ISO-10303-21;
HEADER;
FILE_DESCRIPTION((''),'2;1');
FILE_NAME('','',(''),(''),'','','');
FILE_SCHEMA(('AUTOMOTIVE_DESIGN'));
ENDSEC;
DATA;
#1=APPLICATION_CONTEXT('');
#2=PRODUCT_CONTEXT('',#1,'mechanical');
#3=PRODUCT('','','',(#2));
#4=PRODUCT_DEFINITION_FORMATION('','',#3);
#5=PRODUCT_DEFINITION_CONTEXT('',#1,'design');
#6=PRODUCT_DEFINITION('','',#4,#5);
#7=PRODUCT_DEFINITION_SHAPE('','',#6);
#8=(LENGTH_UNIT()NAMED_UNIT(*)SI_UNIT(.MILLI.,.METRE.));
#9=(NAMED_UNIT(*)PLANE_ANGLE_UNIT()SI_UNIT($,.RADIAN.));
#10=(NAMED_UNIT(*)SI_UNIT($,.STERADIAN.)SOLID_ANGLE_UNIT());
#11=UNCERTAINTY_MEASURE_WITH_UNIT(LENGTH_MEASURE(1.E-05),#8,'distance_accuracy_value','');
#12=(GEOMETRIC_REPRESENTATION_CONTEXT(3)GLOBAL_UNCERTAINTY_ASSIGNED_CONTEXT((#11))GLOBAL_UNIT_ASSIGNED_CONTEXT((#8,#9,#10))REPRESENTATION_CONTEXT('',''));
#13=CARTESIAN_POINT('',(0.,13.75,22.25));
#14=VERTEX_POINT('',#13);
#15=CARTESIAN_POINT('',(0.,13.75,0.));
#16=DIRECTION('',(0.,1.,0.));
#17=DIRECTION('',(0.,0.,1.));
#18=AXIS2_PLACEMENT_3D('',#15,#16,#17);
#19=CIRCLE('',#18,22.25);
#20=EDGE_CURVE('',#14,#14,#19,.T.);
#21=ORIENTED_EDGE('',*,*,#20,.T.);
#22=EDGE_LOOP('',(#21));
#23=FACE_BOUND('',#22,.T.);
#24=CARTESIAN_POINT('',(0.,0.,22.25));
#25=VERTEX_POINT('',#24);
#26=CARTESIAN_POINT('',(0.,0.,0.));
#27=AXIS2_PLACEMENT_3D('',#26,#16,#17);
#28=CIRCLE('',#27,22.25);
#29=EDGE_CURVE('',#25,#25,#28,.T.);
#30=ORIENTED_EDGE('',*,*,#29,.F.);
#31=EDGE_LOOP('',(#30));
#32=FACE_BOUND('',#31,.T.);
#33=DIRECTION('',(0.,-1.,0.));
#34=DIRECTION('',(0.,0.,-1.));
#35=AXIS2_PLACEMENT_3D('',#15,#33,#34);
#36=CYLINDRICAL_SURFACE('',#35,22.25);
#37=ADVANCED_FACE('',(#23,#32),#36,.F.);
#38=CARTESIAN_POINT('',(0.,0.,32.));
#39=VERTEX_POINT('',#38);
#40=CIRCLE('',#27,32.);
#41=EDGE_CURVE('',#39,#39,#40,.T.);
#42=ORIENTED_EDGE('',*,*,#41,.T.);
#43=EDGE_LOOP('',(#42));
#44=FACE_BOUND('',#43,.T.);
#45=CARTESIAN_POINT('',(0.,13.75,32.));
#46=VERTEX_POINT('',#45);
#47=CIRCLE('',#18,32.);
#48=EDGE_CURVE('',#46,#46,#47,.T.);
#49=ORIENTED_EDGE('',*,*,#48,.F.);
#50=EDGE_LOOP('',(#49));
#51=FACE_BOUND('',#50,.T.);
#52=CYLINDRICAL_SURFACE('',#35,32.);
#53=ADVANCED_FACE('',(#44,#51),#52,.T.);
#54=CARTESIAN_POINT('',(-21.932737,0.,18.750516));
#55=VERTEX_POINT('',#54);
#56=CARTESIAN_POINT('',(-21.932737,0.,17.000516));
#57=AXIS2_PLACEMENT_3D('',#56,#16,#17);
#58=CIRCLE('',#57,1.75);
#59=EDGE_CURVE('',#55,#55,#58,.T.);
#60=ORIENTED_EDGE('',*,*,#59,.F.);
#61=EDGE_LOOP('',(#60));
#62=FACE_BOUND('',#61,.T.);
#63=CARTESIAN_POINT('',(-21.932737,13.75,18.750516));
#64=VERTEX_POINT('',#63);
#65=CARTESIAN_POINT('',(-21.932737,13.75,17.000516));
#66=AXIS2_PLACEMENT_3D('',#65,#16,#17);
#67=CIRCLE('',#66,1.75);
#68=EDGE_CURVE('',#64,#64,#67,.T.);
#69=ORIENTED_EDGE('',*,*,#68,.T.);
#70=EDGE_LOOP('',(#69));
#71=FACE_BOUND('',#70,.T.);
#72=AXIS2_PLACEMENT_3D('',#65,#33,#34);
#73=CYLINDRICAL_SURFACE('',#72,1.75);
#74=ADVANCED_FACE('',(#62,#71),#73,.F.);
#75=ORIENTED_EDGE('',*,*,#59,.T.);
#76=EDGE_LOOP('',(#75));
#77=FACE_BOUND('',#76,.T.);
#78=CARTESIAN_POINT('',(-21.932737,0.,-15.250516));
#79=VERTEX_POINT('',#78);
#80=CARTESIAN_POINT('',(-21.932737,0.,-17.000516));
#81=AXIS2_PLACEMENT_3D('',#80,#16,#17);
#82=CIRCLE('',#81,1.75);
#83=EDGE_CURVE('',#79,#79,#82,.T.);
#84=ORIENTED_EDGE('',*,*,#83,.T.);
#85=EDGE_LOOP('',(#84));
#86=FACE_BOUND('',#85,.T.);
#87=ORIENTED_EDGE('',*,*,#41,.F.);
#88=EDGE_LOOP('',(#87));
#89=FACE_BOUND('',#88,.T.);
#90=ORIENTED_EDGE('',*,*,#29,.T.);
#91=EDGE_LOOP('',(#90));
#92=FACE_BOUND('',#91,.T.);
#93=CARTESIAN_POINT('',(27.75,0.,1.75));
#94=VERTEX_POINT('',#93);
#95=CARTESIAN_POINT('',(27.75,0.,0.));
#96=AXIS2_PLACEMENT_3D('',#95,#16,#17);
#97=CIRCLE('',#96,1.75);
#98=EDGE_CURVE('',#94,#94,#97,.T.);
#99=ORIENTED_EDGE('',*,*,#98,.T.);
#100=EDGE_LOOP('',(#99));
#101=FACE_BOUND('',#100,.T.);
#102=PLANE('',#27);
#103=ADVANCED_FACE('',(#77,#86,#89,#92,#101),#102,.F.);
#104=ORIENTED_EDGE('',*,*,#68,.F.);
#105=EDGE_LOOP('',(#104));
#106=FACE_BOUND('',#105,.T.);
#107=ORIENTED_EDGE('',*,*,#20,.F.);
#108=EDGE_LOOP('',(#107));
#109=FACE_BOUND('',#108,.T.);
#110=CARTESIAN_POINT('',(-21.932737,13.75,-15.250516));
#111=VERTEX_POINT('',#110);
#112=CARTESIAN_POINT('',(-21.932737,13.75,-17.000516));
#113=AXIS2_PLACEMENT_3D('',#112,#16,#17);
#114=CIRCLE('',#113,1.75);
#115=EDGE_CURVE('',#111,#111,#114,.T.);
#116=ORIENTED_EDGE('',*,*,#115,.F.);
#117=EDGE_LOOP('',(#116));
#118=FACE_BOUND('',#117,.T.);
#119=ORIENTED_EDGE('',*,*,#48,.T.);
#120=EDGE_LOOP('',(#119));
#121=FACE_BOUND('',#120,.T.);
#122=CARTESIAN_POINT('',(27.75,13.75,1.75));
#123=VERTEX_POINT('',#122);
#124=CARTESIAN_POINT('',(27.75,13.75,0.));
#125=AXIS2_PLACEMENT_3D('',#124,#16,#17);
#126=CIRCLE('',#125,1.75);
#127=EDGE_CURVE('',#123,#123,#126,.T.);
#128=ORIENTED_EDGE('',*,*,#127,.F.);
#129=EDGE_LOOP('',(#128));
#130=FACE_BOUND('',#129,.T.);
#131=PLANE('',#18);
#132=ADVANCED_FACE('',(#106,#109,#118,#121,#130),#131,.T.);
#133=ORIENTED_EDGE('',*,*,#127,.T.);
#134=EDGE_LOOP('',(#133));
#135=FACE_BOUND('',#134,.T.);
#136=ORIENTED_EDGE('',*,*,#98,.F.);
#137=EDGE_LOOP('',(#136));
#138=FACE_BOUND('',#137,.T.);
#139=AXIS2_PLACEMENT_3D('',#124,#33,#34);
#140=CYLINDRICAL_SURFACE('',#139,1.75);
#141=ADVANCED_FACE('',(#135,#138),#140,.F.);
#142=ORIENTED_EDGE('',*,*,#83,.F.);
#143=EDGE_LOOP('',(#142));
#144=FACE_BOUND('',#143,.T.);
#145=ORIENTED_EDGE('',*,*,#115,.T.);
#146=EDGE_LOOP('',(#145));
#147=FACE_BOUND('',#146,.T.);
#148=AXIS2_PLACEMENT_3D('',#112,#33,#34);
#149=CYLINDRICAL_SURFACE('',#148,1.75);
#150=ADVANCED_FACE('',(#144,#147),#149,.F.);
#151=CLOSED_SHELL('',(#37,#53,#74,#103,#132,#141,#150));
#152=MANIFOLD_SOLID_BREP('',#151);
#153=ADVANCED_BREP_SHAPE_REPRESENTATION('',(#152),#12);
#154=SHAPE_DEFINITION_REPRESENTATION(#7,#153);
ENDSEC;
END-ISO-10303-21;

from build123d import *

# Parameters (mm, degrees)
SKETCH2_R           = 32
SKETCH2_R_2         = 22.25
SKETCH2_R_3         = 1.75
BOSS_EXTRUDE1_DEPTH = 13.75


with BuildPart() as part:
    # Sketch2 → Boss-Extrude1 (new body)
    with BuildSketch(Plane(origin=(0, 0, 0), x_dir=(1, 0, 0), z_dir=(0, 1, 0))):
        with Locations(Location((0, 0, 0), (0, 0, 270))):
            Circle(SKETCH2_R)
        with Locations(Location((0, 0, 0), (0, 0, 270))):
            Circle(SKETCH2_R_2, mode=Mode.SUBTRACT)
        with Locations(Location((27.75, 0, 0), (0, 0, 270))):
            Circle(SKETCH2_R_3, mode=Mode.SUBTRACT)
        with Locations(Location((-21.932737229, -17.000515805, 0), (0, 0, 270))):
            Circle(SKETCH2_R_3, mode=Mode.SUBTRACT)
        with Locations(Location((-21.932737229, 17.000515805, 0), (0, 0, 270))):
            Circle(SKETCH2_R_3, mode=Mode.SUBTRACT)
    extrude(amount=BOSS_EXTRUDE1_DEPTH)


solid = part.part
